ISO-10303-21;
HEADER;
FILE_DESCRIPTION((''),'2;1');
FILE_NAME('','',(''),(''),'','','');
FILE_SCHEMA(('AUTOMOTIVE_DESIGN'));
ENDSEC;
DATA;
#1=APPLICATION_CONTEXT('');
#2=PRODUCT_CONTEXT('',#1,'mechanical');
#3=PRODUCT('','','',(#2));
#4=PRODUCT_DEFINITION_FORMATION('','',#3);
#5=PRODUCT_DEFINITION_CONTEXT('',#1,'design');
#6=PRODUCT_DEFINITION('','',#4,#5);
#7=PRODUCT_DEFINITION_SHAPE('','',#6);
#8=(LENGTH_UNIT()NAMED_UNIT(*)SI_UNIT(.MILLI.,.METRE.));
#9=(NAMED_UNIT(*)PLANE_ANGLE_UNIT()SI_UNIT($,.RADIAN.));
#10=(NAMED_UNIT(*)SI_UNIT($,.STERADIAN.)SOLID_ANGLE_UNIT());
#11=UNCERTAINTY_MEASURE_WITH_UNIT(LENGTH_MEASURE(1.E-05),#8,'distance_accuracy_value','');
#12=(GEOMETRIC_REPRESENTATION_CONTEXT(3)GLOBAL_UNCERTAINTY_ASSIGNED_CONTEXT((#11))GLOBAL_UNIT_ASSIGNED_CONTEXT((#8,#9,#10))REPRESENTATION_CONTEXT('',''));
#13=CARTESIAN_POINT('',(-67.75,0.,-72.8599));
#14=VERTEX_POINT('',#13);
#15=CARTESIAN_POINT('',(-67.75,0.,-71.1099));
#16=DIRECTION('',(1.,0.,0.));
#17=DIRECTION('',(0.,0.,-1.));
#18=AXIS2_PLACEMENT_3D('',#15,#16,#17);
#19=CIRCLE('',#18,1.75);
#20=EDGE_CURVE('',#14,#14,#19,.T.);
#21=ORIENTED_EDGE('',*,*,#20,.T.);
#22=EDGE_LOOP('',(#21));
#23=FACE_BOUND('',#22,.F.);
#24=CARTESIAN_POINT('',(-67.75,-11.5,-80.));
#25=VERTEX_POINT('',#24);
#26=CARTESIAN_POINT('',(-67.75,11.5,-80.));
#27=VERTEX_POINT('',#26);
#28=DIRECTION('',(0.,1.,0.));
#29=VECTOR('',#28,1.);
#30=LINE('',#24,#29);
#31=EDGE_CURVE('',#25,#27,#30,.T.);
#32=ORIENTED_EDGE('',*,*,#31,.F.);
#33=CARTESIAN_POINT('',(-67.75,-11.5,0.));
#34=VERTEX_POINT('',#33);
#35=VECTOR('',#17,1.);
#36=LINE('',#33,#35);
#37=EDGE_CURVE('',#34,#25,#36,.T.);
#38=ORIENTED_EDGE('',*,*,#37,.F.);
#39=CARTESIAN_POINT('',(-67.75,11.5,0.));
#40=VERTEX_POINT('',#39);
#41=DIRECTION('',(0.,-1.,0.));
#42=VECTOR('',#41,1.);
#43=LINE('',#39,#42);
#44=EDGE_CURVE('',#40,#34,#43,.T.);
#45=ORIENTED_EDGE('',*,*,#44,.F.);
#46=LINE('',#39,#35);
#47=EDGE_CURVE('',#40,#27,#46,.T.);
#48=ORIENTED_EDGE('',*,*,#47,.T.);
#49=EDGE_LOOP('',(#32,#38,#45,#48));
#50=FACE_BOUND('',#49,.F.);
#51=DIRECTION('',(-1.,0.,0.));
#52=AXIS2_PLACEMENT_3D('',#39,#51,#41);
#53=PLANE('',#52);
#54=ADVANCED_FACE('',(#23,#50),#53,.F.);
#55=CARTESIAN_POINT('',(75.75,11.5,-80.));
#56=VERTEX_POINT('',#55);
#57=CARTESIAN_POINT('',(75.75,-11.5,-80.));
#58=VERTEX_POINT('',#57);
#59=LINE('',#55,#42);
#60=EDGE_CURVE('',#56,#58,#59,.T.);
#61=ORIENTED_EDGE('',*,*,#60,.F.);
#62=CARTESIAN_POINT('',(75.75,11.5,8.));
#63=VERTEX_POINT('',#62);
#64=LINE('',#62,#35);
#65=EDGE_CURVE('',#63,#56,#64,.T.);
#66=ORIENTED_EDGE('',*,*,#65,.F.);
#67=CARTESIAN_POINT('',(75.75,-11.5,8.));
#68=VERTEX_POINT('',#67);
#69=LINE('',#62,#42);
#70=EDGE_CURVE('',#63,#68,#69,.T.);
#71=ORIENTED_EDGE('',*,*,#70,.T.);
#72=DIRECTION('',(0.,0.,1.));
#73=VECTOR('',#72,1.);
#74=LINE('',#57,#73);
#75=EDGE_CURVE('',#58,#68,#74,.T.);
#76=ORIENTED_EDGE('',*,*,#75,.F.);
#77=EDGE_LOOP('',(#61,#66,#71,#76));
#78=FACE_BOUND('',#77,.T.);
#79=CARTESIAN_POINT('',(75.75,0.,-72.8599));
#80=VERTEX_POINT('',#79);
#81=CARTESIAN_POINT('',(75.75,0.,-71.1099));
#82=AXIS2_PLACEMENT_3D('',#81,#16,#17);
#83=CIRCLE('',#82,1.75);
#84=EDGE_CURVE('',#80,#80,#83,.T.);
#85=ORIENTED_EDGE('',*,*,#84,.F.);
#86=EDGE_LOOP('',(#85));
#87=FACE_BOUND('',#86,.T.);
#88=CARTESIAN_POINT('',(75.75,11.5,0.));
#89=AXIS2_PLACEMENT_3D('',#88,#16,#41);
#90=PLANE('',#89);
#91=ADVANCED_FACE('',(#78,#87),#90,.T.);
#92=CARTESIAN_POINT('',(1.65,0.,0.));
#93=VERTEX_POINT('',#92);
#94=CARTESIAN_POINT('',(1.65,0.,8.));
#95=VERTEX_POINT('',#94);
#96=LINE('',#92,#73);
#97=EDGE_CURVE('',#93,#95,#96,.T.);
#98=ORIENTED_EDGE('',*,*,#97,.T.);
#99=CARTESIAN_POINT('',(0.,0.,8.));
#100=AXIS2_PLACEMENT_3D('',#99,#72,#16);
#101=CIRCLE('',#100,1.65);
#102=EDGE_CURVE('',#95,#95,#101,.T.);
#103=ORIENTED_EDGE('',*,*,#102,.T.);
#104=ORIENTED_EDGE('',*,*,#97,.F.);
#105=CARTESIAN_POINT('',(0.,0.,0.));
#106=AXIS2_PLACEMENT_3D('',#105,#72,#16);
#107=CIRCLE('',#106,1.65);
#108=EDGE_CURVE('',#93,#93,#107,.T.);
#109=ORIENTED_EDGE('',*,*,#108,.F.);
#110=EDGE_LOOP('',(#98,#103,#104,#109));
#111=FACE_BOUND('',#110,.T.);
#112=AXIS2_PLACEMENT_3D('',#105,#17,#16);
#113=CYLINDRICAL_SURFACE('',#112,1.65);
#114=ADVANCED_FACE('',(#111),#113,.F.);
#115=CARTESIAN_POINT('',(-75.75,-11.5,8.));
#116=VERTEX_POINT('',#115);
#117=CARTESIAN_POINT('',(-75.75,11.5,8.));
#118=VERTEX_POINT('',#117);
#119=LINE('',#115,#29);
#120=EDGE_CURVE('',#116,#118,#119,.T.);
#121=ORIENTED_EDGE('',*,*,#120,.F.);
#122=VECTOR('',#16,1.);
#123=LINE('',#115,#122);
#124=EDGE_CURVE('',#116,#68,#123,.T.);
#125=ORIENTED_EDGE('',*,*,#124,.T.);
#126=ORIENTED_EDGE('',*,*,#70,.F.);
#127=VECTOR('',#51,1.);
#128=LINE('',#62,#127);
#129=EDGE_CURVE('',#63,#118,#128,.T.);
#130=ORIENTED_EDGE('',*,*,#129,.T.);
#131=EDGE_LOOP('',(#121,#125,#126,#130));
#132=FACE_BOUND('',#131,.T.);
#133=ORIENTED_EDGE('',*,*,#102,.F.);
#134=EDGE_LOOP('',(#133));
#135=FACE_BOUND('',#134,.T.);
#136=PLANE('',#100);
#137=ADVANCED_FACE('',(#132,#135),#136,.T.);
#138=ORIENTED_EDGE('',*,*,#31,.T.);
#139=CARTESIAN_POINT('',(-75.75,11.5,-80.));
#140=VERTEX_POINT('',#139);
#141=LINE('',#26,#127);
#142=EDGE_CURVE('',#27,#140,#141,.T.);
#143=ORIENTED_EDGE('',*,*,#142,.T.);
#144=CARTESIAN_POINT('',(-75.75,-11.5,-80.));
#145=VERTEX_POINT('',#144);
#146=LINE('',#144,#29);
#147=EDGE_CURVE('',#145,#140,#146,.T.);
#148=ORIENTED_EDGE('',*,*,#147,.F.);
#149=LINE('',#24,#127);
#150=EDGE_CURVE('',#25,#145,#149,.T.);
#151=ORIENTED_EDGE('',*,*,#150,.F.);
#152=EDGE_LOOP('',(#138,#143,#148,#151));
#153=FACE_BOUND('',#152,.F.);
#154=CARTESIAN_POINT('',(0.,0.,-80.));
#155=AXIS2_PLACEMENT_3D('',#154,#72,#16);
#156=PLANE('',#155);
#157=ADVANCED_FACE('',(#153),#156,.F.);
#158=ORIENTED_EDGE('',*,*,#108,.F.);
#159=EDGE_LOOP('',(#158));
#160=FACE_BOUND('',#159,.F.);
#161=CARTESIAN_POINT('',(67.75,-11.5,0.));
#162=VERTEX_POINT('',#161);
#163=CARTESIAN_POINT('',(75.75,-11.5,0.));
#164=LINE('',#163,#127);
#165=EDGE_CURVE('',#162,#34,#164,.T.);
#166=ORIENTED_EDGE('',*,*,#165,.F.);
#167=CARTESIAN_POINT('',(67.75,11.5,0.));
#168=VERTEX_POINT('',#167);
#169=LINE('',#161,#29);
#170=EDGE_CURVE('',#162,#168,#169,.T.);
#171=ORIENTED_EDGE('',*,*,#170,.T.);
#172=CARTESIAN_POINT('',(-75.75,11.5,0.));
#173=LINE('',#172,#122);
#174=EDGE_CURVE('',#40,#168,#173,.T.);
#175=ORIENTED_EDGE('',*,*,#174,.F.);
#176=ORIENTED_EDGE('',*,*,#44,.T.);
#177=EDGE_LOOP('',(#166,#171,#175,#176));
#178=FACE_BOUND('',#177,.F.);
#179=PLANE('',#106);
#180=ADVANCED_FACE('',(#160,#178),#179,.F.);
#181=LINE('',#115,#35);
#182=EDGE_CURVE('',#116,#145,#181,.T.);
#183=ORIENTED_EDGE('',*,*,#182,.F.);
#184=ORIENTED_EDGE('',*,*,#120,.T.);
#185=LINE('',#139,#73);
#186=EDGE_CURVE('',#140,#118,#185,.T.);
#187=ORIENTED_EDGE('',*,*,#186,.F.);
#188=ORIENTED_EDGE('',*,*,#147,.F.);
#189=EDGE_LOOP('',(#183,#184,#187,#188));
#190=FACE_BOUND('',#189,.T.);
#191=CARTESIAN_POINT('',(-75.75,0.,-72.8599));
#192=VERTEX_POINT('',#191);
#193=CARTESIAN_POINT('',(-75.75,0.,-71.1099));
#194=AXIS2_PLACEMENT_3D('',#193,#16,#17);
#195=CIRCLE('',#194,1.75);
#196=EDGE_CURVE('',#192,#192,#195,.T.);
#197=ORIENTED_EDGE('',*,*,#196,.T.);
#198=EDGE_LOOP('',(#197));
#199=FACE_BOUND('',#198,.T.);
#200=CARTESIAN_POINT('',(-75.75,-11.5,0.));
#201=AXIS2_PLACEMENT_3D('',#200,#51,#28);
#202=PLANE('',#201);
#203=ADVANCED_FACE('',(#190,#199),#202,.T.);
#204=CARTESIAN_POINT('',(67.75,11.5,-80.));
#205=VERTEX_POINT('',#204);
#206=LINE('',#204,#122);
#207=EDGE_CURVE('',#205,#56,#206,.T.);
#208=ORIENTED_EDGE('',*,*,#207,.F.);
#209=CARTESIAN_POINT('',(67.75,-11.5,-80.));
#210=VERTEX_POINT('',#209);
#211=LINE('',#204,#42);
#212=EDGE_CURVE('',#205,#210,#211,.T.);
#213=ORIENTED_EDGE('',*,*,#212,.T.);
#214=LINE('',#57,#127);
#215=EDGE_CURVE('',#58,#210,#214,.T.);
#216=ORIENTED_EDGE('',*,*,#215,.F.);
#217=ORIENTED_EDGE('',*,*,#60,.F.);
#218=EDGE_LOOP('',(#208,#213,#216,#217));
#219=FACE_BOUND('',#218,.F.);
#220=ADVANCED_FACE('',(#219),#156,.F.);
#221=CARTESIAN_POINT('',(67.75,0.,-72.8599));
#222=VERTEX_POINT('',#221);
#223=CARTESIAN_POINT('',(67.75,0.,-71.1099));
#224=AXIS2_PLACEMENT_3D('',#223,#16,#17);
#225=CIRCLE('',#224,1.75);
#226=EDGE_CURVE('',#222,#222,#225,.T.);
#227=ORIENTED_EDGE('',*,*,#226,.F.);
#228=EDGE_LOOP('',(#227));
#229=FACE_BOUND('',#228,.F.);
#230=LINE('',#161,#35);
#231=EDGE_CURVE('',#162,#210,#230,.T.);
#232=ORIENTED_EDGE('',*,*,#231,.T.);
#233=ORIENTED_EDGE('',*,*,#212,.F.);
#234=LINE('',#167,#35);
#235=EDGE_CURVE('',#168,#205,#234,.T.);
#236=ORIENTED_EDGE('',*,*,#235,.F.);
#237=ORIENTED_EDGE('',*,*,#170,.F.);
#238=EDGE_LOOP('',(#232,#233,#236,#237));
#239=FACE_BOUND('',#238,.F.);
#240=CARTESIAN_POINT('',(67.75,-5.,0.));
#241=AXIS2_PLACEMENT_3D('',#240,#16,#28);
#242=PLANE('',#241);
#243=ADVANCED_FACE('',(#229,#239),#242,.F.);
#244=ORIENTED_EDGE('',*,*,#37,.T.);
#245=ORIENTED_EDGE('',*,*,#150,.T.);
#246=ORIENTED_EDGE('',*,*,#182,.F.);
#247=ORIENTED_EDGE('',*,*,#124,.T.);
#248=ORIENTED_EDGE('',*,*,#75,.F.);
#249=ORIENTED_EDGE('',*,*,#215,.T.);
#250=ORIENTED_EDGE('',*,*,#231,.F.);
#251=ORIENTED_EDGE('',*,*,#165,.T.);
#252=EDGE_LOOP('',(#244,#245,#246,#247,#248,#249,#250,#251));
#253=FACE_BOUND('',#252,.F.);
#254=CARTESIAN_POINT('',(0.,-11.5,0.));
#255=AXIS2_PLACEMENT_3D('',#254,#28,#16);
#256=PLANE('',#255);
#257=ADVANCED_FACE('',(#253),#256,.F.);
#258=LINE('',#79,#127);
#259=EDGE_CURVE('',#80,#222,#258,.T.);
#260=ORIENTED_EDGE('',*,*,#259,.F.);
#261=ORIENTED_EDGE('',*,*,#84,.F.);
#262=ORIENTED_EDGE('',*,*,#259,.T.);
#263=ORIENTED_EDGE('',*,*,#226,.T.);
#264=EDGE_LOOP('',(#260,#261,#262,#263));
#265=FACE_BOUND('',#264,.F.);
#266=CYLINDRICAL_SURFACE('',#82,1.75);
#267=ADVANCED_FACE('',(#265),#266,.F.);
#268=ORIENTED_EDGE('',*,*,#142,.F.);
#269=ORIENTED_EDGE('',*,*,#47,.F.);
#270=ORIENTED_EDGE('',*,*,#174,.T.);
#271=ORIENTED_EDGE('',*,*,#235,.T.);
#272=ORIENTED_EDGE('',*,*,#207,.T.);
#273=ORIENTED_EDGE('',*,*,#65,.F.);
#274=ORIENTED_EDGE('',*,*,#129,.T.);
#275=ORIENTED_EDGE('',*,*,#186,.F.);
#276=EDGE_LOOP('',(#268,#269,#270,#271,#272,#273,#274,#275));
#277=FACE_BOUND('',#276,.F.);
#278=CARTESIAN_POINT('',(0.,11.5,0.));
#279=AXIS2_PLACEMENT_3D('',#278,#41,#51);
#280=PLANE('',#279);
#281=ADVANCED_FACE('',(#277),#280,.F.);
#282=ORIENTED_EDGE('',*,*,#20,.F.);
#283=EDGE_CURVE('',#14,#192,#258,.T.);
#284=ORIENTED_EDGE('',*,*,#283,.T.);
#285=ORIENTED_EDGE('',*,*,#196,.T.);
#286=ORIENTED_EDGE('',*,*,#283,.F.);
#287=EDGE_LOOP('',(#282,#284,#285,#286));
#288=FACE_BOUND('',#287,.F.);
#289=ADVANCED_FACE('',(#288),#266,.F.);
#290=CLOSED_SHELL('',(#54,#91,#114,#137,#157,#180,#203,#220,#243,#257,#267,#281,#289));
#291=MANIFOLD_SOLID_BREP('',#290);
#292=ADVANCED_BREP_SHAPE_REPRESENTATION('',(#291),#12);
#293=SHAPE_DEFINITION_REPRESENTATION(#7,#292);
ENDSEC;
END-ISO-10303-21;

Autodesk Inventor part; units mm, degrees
ref_plane "YZ Plane" through (0, 0, 0) normal (1, 0, 0) x (0, 1, 0)
ref_plane "XZ Plane" through (0, 0, 0) normal (0, 1, 0) x (-1, 0, 0)
ref_plane "XY Plane" through (0, 0, 0) normal (0, 0, 1) x (1, 0, 0)
sketch "Sketch1" plane through (0, 0, 0) normal (0, 0, 1) x (1, 0, 0)
  circle A0 centre (0, 0) radius 11.5
  circle A1 centre (0, 0) radius 1.65
  line L0 (-11.5, 0) -> (-11.5, -5)
  line L1 (-11.5, 0) -> (-11.5, 5)
  line L2 (-11.5, 5) -> (-10.3562, 5)
  line L3 (-11.5, -5) -> (-10.3562, -5)
  line L4 (11.5, 0) -> (11.5, 5)
  line L5 (11.5, 5) -> (10.3562, 5)
  line L6 (11.5, 0) -> (11.5, -5)
  line L7 (11.5, -5) -> (10.3562, -5)
  line L8 (-67.75, 0) -> (-67.75, 5)
  line L9 (-67.75, 5) -> (-11.5, 5)
  line L10 (-67.75, 0) -> (-67.75, -5)
  line L11 (-67.75, -5) -> (-11.5, -5)
  line L12 (67.75, -5) -> (67.75, 5)
  line L13 (67.75, 5) -> (11.5, 5)
  line L14 (11.5, -5) -> (67.75, -5)
  line L15 (67.75, -5) -> (71.75, -5)
  line L16 (71.75, -5) -> (71.75, 5)
  line L17 (71.75, 5) -> (67.75, 5)
  line L18 (-67.75, -5) -> (-71.75, -5)
  line L19 (-71.75, -5) -> (-71.75, 5)
  line L20 (-71.75, 5) -> (-67.75, 5)
  line L21 (0, 11.5) -> (-71.75, 11.5)
  line L22 (-71.75, 11.5) -> (-71.75, 5)
  line L23 (-71.75, -5) -> (-71.75, -11.5)
  line L24 (-71.75, -11.5) -> (0, -11.5)
  line L25 (0, -11.5) -> (71.75, -11.5)
  line L26 (71.75, -11.5) -> (71.75, -5)
  line L27 (71.75, 5) -> (71.75, 11.5)
  line L28 (0, 11.5) -> (71.75, 11.5)
  line L29 (67.75, 5) -> (67.75, 11.5)
  line L30 (67.75, 11.5) -> (63.75, 11.5)
  line L31 (63.75, 11.5) -> (63.75, -11.5)
  line L32 (-71.75, -11.5) -> (-63.75, -11.5)
  line L33 (-63.75, -11.5) -> (-63.75, 11.5)
  line L34 (-67.75, -11.5) -> (-75.75, -11.5)
  line L35 (-75.75, -11.5) -> (-75.75, 11.5)
  line L36 (-75.75, 11.5) -> (-67.75, 11.5)
  line L37 (-67.75, 11.5) -> (-67.75, -11.5)
  line L38 (67.75, 11.5) -> (75.75, 11.5)
  line L39 (75.75, 11.5) -> (75.75, -11.5)
  line L40 (75.75, -11.5) -> (67.75, -11.5)
  line L41 (67.75, -11.5) -> (67.75, 11.5)
  dimension "d0" = 23
  dimension "d1" = 3.3
  dimension "d4" = 5
  dimension "d5" = 5
  dimension "d6" = 5
  dimension "d7" = 5
  dimension "d12" = 4
  dimension "d13" = 4
  dimension "d20" = 4
  dimension "d21" = 8
  dimension "d24" = 8
  dimension "d25" = 8
extrude "Extrusion1" add sketch "Sketch1" along normal blind 8
extrude "Extrusion2" add sketch "Sketch1" against normal blind 80 contours L17 L16 L15 L12 | L29 L28 L27 L17 | L15 L26 L25 L41 | L37 L20 L22 L21 | L24 L23 L18 L37 | L27 L38 L39 L40 L26 L16 | L22 L19 L23 L34 L35 L36 | L8 L10 L18 L19 L20
sketch "Sketch4" plane through (75.75, -11.5, 8) normal (1, 0, 0) x (0, 0, -1)
  circle A0 centre (79.1099, 11.5) radius 1.75
  point P0 (8, 11.5)
  dimension "d26" = 3.5
extrude "Extrusion5" cut sketch "Sketch4" against normal blind 800
properties part number "Sensor houder" material "ABS Plastic"
